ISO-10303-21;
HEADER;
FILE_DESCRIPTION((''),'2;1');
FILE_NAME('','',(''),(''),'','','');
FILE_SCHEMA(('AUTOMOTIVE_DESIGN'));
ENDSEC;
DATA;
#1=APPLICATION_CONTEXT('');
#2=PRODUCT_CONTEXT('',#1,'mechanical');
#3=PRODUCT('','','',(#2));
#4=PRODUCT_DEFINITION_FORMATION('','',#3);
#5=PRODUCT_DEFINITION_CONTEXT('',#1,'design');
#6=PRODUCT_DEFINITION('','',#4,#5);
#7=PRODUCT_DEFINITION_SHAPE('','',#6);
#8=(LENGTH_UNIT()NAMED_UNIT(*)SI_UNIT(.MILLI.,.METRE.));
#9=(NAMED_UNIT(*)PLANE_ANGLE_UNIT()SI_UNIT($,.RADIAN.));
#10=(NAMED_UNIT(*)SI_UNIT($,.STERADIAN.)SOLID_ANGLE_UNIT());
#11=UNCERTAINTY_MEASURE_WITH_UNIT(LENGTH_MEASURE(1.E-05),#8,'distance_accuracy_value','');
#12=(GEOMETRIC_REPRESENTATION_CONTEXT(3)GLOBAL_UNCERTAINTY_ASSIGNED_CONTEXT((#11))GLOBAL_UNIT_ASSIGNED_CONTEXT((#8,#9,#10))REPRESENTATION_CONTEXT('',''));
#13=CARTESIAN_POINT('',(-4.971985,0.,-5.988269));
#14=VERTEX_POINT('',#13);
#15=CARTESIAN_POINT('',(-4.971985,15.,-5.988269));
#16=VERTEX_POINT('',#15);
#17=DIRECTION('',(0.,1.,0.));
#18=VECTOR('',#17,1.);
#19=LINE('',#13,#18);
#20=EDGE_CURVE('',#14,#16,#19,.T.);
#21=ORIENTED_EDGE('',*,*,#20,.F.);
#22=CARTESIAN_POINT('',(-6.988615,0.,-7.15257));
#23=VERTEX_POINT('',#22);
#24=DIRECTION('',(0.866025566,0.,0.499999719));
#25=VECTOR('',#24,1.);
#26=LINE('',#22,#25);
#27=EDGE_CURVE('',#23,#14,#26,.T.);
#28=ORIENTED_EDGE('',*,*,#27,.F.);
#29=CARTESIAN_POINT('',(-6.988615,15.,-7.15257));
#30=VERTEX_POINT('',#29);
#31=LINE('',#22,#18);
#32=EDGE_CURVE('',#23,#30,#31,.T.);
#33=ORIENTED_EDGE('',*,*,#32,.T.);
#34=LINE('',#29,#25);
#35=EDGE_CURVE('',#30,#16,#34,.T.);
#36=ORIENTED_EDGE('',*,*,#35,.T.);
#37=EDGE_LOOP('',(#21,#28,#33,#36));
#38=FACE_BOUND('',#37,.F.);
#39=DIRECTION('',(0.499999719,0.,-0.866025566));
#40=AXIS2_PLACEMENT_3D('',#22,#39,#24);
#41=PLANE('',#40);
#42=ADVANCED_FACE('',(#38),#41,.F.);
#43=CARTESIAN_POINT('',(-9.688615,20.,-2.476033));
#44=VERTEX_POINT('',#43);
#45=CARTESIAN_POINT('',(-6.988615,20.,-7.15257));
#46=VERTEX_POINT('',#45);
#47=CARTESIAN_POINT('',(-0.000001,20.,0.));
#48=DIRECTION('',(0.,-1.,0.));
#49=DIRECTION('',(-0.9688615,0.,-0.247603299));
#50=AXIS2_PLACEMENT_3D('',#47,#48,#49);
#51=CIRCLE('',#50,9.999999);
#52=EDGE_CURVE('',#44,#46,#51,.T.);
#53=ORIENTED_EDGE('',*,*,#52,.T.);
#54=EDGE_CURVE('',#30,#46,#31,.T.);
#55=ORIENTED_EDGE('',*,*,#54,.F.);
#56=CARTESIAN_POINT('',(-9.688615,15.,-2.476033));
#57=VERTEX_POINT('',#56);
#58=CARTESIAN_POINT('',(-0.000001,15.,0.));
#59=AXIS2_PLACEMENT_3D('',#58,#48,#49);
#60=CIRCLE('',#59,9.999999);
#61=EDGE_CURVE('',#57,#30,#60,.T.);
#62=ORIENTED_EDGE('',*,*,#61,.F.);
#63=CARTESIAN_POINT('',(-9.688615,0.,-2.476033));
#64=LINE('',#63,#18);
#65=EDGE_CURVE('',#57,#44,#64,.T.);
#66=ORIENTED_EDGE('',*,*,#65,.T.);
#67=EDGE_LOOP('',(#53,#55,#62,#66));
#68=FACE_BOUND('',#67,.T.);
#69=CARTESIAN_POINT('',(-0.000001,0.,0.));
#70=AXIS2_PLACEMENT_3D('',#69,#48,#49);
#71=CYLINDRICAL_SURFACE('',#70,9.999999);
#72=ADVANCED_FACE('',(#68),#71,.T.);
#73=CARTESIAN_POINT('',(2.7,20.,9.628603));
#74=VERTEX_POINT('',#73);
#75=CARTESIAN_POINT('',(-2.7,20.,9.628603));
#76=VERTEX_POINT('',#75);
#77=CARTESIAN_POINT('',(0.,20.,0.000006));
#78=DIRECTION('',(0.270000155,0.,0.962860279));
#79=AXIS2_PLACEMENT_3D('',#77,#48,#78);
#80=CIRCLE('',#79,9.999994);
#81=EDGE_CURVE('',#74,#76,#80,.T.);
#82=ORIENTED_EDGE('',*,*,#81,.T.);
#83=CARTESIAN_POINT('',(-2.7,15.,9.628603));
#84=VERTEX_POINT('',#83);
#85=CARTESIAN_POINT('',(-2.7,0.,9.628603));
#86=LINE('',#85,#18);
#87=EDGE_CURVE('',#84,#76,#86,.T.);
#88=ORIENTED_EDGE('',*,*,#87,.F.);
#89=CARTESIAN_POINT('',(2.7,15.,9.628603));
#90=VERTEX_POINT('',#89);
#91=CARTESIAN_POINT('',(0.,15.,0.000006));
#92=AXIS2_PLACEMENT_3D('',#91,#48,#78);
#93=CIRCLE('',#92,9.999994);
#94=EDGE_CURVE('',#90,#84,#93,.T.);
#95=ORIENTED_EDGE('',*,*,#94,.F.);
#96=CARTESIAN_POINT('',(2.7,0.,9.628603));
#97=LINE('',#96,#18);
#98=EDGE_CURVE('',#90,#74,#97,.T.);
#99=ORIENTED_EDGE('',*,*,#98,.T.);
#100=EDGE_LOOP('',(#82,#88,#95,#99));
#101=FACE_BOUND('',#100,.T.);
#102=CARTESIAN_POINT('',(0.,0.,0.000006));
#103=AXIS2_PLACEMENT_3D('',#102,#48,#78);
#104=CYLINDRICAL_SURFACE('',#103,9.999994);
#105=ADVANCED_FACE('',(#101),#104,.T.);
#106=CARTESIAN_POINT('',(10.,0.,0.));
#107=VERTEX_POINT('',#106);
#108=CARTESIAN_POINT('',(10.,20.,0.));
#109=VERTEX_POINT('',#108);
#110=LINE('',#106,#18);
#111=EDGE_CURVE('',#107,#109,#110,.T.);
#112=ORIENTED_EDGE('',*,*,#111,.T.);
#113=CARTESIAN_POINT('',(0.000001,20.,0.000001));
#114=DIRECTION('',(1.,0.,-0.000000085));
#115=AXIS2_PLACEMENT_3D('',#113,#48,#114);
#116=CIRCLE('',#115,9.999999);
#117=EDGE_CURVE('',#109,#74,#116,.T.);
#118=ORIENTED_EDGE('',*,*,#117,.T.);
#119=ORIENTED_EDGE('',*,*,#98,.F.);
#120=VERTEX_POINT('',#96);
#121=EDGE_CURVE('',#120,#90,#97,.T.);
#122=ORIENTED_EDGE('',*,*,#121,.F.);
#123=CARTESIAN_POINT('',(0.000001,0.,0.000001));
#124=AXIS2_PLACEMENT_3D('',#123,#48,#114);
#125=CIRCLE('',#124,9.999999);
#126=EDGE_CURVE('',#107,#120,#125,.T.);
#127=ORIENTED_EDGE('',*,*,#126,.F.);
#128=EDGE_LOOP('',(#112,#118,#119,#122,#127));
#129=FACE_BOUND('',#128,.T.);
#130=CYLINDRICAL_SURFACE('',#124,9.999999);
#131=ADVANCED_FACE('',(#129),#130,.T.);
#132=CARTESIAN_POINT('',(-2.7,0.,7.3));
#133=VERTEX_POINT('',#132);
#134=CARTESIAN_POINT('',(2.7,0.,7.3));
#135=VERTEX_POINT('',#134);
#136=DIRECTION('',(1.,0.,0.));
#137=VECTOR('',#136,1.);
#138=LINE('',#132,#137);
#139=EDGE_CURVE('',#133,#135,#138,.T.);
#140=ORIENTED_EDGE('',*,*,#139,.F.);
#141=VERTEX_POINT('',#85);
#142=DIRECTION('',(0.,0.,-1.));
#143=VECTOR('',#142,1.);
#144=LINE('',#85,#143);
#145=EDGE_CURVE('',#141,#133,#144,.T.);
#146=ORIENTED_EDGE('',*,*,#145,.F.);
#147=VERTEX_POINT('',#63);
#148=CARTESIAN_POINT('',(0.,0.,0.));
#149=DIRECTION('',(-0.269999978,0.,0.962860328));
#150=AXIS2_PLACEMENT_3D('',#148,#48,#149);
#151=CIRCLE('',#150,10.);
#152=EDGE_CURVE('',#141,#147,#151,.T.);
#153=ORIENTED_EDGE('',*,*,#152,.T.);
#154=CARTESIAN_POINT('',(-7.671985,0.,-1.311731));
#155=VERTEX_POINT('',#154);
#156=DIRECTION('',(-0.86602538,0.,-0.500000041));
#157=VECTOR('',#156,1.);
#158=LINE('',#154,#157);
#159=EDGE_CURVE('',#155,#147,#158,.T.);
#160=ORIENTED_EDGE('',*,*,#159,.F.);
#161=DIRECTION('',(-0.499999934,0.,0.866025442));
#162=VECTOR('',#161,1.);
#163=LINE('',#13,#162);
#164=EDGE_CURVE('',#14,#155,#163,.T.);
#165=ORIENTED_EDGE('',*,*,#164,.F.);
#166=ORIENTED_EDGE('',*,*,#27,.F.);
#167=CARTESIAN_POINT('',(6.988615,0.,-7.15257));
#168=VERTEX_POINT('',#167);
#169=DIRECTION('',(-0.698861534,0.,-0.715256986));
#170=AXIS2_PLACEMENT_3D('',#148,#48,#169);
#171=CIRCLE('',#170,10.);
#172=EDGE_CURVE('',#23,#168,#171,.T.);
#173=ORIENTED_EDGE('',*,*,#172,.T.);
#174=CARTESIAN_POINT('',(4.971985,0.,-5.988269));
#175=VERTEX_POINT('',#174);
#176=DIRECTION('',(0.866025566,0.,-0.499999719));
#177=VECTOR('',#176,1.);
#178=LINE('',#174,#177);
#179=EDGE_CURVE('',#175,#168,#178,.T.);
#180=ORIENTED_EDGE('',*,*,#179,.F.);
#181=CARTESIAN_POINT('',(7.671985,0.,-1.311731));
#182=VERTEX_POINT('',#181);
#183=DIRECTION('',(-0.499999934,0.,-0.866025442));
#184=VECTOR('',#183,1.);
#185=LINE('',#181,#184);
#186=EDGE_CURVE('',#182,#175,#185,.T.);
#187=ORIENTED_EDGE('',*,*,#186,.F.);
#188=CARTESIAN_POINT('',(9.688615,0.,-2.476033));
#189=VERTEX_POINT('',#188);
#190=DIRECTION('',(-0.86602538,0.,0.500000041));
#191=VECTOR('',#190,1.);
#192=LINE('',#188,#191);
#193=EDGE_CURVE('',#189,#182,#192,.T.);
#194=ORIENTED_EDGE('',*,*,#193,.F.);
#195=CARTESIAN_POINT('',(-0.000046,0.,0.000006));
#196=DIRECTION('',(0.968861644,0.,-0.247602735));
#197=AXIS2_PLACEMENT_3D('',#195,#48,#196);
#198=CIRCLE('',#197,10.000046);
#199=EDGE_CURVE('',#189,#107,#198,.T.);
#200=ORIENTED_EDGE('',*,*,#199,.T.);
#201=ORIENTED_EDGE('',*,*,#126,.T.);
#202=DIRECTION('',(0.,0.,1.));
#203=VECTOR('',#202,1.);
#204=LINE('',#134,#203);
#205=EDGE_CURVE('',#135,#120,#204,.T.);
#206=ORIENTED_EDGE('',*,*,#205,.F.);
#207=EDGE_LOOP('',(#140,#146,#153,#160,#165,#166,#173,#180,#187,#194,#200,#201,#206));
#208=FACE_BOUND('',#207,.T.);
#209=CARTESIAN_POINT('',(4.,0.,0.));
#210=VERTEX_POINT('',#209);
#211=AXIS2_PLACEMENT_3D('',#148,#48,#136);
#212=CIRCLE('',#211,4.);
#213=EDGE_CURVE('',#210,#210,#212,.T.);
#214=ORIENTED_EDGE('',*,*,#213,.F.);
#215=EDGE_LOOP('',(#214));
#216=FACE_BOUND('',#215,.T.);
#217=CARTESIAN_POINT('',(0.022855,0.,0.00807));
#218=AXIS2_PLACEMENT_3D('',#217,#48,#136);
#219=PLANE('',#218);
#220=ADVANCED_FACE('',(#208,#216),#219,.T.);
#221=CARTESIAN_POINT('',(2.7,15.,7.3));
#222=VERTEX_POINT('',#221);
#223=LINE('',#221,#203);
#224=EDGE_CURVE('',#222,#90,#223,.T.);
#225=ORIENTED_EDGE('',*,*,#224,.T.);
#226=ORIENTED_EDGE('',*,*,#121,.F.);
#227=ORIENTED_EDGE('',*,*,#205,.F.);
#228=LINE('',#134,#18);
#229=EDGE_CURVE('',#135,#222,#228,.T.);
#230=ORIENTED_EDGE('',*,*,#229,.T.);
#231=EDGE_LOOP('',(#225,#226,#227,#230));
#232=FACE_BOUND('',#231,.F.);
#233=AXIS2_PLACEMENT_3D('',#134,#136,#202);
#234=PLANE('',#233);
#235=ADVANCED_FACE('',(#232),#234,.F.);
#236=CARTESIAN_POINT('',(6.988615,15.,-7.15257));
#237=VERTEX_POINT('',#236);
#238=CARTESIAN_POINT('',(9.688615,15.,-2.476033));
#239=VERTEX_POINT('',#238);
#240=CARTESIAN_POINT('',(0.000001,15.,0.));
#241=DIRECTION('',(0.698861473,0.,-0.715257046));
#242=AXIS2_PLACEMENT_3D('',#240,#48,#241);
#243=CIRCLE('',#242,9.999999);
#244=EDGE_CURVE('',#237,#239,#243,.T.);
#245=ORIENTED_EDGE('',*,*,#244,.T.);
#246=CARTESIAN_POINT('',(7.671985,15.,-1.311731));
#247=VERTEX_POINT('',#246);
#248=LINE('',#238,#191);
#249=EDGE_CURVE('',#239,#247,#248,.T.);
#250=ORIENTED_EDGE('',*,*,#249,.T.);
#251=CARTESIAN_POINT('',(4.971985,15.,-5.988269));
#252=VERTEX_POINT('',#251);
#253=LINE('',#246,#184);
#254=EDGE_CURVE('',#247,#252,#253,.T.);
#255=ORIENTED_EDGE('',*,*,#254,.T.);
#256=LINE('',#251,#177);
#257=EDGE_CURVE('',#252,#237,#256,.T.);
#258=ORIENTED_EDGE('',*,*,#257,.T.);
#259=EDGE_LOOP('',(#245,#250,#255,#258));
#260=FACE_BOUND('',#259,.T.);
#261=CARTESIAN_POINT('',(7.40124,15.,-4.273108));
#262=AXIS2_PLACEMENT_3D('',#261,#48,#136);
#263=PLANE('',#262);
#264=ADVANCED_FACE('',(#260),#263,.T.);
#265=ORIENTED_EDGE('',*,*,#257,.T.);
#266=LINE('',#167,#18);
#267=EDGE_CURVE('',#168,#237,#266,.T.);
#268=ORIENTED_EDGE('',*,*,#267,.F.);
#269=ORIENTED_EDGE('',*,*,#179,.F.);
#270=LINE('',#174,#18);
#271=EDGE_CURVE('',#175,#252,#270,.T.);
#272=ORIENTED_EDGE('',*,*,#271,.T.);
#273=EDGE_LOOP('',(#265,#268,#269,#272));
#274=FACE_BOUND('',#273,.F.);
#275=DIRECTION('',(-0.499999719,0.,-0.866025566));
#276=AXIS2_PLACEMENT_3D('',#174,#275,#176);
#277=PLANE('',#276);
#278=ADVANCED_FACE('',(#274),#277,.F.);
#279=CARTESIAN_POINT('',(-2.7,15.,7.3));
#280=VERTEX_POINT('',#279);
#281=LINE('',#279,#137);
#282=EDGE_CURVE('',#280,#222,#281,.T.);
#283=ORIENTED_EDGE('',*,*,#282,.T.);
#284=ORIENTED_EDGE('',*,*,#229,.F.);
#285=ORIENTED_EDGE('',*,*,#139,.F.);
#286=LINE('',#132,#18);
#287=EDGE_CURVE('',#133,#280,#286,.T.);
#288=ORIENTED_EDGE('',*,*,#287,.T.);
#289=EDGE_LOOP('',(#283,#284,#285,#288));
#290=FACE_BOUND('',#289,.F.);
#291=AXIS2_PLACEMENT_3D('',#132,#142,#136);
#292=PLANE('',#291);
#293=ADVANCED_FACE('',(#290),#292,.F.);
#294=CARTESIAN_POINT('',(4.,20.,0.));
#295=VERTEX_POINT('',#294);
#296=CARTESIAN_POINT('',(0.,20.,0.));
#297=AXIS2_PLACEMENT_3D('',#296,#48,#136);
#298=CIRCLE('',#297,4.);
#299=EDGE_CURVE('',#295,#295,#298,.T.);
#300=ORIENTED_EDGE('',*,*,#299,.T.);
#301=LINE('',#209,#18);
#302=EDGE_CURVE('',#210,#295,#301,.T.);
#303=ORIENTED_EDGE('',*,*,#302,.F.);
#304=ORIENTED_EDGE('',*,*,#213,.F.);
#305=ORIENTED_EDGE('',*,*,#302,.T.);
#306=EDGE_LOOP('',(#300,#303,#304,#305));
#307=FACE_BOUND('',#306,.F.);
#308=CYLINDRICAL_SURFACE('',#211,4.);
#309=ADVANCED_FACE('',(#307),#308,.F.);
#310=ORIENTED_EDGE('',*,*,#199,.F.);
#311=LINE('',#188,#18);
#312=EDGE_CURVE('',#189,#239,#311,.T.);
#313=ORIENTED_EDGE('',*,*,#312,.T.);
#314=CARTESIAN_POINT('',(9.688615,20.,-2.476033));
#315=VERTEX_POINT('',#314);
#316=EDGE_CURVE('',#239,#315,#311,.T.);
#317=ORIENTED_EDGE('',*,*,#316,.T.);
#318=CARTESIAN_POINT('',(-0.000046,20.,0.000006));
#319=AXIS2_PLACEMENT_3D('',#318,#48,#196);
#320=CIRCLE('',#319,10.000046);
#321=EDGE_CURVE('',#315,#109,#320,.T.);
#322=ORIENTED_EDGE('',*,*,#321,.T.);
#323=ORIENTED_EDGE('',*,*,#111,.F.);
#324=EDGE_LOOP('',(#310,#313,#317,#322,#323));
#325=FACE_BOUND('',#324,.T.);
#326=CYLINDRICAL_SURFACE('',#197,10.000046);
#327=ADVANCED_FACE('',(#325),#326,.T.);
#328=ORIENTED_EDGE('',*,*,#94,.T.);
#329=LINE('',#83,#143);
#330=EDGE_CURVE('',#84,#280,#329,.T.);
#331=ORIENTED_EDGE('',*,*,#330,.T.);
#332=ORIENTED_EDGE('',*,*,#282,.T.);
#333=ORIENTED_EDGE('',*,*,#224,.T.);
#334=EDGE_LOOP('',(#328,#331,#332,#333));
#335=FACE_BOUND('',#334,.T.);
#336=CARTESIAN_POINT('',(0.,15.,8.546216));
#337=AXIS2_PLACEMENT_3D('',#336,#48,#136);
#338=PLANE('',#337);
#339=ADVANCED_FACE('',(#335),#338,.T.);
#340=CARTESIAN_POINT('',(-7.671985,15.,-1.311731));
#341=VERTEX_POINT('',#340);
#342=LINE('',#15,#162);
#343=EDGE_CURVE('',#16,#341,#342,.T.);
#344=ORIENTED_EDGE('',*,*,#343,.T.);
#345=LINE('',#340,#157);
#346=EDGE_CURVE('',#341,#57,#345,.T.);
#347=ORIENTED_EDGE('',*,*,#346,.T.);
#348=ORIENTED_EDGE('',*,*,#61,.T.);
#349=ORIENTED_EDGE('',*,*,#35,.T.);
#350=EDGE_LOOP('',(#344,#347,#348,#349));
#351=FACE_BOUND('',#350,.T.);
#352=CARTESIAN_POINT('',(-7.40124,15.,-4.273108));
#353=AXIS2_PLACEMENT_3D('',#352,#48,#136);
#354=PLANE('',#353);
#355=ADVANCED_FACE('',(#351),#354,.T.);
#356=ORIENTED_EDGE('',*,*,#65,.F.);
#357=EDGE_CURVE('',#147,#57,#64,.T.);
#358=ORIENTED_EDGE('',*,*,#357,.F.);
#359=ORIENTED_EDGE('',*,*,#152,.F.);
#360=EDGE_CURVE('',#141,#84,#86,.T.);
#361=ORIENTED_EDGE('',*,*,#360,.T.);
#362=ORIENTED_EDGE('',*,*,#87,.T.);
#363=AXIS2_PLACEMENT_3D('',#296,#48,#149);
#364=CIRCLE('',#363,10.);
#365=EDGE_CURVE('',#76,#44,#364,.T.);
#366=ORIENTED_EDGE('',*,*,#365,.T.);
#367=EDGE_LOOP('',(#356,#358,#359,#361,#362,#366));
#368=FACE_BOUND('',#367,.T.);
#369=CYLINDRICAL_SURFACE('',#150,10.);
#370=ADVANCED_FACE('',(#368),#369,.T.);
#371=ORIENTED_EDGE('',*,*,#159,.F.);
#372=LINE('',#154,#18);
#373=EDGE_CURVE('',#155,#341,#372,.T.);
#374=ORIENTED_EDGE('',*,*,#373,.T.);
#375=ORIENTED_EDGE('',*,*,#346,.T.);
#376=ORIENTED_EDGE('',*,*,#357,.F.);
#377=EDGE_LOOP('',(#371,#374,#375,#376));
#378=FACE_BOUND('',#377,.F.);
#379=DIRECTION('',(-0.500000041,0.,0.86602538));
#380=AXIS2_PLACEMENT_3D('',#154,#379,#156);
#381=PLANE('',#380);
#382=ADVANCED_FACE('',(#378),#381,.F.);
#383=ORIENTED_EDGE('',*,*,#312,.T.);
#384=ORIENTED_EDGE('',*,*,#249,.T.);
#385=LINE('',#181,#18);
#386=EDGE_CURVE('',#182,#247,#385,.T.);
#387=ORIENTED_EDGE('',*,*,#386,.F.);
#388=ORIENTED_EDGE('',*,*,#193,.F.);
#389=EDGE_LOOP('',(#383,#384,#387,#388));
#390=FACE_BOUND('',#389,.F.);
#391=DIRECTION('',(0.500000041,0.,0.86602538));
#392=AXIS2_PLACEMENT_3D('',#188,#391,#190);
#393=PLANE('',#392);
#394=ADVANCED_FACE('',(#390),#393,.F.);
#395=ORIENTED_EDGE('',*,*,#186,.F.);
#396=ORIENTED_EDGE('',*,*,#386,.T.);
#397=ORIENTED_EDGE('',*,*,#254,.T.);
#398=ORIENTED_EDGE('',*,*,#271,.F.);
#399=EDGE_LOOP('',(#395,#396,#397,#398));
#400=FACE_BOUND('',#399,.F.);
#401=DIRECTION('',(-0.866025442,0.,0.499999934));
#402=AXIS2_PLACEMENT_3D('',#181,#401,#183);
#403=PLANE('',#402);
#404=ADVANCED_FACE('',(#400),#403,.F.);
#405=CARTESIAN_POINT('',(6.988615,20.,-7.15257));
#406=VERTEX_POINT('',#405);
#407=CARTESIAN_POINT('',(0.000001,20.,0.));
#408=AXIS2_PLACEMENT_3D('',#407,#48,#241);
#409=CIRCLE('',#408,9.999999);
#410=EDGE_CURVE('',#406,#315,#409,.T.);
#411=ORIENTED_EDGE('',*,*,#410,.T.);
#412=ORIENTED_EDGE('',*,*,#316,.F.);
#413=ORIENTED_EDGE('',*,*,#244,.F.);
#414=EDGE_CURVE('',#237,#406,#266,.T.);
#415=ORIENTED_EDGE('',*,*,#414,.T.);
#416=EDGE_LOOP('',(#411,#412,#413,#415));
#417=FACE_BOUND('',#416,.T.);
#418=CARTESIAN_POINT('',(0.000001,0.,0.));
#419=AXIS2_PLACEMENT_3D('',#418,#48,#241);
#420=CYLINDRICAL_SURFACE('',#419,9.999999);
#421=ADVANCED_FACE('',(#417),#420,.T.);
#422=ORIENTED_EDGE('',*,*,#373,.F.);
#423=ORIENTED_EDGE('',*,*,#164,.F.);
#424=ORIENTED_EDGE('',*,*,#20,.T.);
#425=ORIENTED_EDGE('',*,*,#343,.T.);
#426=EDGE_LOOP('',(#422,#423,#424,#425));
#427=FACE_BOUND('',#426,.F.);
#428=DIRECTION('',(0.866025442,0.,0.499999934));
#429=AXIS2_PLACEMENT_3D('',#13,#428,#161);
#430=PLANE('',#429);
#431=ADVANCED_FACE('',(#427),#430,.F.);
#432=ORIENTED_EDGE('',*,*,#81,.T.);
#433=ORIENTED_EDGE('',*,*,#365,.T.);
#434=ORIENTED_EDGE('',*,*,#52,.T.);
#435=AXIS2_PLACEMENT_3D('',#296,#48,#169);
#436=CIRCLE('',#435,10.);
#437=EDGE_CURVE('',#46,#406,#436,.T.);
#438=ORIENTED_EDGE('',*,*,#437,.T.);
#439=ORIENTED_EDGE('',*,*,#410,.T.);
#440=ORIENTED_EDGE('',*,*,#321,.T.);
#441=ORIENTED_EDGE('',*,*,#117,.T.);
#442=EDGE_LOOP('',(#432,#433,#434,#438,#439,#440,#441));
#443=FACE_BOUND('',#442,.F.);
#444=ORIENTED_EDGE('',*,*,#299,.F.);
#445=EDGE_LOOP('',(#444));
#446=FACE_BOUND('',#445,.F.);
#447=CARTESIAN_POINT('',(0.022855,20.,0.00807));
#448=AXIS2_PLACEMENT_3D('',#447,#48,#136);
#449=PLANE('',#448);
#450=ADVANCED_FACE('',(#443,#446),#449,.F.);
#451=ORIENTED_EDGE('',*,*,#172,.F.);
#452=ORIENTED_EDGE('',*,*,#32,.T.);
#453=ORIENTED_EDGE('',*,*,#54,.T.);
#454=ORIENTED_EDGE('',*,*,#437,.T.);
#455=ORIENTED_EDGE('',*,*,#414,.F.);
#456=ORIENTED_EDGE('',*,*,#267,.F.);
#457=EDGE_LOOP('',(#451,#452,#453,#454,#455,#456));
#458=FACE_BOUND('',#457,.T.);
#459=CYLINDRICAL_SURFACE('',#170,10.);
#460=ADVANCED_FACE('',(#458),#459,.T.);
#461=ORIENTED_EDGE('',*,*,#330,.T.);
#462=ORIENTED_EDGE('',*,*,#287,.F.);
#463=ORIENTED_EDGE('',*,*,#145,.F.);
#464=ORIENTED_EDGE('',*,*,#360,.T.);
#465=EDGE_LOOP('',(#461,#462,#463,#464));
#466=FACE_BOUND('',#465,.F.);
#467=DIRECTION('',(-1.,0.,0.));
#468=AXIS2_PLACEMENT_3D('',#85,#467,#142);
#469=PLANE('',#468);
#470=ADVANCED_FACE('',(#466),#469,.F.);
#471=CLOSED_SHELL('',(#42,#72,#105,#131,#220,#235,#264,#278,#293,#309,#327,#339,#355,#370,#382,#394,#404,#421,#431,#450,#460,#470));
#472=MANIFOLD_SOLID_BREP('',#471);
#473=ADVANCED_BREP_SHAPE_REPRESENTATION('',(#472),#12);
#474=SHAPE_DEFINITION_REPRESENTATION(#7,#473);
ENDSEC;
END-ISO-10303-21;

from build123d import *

# Parameters (mm, degrees)
F0_R     = 4
F1_DEPTH = 20
F2_DEPTH = 15


with BuildPart() as f1:
    # F0 (on Front) → F1 (new body)
    with BuildSketch(Plane.XZ):
        with BuildLine():
            ThreePointArc((9.688615, -2.476033), (9.921848, -1.247768), (10, 0))
            ThreePointArc((10, 0), (7.968689, 6.041523), (2.7, 9.628603))
            Line((2.7, 9.628603), (2.7, 7.3))
            Line((2.7, 7.3), (-2.7, 7.3))
            Line((-2.7, 7.3), (-2.7, 9.628603))
            ThreePointArc((-2.7, 9.628603), (-8.660254, 5), (-9.688615, -2.476033))
            Line((-9.688615, -2.476033), (-7.671985, -1.311731))
            Line((-7.671985, -1.311731), (-4.971985, -5.988269))
            Line((-4.971985, -5.988269), (-6.988615, -7.15257))
            ThreePointArc((-6.988615, -7.15257), (0, -10), (6.988615, -7.15257))
            Line((6.988615, -7.15257), (4.971985, -5.988269))
            Line((4.971985, -5.988269), (7.671985, -1.311731))
            Line((7.671985, -1.311731), (9.688615, -2.476033))
        make_face()
        Circle(F0_R, mode=Mode.SUBTRACT)
        with BuildLine():
            Line((-7.671985, -1.311731), (-9.688615, -2.476033))
            ThreePointArc((-9.688615, -2.476033), (-8.660254, -5), (-6.988615, -7.15257))
            Line((-6.988615, -7.15257), (-4.971985, -5.988269))
            Line((-4.971985, -5.988269), (-7.671985, -1.311731))
        make_face()
        with BuildLine():
            Line((2.7, 7.3), (2.7, 9.628603))
            ThreePointArc((2.7, 9.628603), (0, 10), (-2.7, 9.628603))
            Line((-2.7, 9.628603), (-2.7, 7.3))
            Line((-2.7, 7.3), (2.7, 7.3))
        make_face()
        with BuildLine():
            ThreePointArc((6.988615, -7.15257), (8.660254, -5), (9.688615, -2.476033))
            Line((9.688615, -2.476033), (7.671985, -1.311731))
            Line((7.671985, -1.311731), (4.971985, -5.988269))
            Line((4.971985, -5.988269), (6.988615, -7.15257))
        make_face()
    extrude(amount=-F1_DEPTH)

    # F0 (on Front) → F2 (cut)
    with BuildSketch(Plane.XZ):
        with BuildLine():
            Line((-7.671985, -1.311731), (-9.688615, -2.476033))
            ThreePointArc((-9.688615, -2.476033), (-8.660254, -5), (-6.988615, -7.15257))
            Line((-6.988615, -7.15257), (-4.971985, -5.988269))
            Line((-4.971985, -5.988269), (-7.671985, -1.311731))
        make_face()
        with BuildLine():
            Line((2.7, 7.3), (2.7, 9.628603))
            ThreePointArc((2.7, 9.628603), (0, 10), (-2.7, 9.628603))
            Line((-2.7, 9.628603), (-2.7, 7.3))
            Line((-2.7, 7.3), (2.7, 7.3))
        make_face()
        with BuildLine():
            ThreePointArc((6.988615, -7.15257), (8.660254, -5), (9.688615, -2.476033))
            Line((9.688615, -2.476033), (7.671985, -1.311731))
            Line((7.671985, -1.311731), (4.971985, -5.988269))
            Line((4.971985, -5.988269), (6.988615, -7.15257))
        make_face()
    extrude(amount=-F2_DEPTH, mode=Mode.SUBTRACT)


solid = f1.part
